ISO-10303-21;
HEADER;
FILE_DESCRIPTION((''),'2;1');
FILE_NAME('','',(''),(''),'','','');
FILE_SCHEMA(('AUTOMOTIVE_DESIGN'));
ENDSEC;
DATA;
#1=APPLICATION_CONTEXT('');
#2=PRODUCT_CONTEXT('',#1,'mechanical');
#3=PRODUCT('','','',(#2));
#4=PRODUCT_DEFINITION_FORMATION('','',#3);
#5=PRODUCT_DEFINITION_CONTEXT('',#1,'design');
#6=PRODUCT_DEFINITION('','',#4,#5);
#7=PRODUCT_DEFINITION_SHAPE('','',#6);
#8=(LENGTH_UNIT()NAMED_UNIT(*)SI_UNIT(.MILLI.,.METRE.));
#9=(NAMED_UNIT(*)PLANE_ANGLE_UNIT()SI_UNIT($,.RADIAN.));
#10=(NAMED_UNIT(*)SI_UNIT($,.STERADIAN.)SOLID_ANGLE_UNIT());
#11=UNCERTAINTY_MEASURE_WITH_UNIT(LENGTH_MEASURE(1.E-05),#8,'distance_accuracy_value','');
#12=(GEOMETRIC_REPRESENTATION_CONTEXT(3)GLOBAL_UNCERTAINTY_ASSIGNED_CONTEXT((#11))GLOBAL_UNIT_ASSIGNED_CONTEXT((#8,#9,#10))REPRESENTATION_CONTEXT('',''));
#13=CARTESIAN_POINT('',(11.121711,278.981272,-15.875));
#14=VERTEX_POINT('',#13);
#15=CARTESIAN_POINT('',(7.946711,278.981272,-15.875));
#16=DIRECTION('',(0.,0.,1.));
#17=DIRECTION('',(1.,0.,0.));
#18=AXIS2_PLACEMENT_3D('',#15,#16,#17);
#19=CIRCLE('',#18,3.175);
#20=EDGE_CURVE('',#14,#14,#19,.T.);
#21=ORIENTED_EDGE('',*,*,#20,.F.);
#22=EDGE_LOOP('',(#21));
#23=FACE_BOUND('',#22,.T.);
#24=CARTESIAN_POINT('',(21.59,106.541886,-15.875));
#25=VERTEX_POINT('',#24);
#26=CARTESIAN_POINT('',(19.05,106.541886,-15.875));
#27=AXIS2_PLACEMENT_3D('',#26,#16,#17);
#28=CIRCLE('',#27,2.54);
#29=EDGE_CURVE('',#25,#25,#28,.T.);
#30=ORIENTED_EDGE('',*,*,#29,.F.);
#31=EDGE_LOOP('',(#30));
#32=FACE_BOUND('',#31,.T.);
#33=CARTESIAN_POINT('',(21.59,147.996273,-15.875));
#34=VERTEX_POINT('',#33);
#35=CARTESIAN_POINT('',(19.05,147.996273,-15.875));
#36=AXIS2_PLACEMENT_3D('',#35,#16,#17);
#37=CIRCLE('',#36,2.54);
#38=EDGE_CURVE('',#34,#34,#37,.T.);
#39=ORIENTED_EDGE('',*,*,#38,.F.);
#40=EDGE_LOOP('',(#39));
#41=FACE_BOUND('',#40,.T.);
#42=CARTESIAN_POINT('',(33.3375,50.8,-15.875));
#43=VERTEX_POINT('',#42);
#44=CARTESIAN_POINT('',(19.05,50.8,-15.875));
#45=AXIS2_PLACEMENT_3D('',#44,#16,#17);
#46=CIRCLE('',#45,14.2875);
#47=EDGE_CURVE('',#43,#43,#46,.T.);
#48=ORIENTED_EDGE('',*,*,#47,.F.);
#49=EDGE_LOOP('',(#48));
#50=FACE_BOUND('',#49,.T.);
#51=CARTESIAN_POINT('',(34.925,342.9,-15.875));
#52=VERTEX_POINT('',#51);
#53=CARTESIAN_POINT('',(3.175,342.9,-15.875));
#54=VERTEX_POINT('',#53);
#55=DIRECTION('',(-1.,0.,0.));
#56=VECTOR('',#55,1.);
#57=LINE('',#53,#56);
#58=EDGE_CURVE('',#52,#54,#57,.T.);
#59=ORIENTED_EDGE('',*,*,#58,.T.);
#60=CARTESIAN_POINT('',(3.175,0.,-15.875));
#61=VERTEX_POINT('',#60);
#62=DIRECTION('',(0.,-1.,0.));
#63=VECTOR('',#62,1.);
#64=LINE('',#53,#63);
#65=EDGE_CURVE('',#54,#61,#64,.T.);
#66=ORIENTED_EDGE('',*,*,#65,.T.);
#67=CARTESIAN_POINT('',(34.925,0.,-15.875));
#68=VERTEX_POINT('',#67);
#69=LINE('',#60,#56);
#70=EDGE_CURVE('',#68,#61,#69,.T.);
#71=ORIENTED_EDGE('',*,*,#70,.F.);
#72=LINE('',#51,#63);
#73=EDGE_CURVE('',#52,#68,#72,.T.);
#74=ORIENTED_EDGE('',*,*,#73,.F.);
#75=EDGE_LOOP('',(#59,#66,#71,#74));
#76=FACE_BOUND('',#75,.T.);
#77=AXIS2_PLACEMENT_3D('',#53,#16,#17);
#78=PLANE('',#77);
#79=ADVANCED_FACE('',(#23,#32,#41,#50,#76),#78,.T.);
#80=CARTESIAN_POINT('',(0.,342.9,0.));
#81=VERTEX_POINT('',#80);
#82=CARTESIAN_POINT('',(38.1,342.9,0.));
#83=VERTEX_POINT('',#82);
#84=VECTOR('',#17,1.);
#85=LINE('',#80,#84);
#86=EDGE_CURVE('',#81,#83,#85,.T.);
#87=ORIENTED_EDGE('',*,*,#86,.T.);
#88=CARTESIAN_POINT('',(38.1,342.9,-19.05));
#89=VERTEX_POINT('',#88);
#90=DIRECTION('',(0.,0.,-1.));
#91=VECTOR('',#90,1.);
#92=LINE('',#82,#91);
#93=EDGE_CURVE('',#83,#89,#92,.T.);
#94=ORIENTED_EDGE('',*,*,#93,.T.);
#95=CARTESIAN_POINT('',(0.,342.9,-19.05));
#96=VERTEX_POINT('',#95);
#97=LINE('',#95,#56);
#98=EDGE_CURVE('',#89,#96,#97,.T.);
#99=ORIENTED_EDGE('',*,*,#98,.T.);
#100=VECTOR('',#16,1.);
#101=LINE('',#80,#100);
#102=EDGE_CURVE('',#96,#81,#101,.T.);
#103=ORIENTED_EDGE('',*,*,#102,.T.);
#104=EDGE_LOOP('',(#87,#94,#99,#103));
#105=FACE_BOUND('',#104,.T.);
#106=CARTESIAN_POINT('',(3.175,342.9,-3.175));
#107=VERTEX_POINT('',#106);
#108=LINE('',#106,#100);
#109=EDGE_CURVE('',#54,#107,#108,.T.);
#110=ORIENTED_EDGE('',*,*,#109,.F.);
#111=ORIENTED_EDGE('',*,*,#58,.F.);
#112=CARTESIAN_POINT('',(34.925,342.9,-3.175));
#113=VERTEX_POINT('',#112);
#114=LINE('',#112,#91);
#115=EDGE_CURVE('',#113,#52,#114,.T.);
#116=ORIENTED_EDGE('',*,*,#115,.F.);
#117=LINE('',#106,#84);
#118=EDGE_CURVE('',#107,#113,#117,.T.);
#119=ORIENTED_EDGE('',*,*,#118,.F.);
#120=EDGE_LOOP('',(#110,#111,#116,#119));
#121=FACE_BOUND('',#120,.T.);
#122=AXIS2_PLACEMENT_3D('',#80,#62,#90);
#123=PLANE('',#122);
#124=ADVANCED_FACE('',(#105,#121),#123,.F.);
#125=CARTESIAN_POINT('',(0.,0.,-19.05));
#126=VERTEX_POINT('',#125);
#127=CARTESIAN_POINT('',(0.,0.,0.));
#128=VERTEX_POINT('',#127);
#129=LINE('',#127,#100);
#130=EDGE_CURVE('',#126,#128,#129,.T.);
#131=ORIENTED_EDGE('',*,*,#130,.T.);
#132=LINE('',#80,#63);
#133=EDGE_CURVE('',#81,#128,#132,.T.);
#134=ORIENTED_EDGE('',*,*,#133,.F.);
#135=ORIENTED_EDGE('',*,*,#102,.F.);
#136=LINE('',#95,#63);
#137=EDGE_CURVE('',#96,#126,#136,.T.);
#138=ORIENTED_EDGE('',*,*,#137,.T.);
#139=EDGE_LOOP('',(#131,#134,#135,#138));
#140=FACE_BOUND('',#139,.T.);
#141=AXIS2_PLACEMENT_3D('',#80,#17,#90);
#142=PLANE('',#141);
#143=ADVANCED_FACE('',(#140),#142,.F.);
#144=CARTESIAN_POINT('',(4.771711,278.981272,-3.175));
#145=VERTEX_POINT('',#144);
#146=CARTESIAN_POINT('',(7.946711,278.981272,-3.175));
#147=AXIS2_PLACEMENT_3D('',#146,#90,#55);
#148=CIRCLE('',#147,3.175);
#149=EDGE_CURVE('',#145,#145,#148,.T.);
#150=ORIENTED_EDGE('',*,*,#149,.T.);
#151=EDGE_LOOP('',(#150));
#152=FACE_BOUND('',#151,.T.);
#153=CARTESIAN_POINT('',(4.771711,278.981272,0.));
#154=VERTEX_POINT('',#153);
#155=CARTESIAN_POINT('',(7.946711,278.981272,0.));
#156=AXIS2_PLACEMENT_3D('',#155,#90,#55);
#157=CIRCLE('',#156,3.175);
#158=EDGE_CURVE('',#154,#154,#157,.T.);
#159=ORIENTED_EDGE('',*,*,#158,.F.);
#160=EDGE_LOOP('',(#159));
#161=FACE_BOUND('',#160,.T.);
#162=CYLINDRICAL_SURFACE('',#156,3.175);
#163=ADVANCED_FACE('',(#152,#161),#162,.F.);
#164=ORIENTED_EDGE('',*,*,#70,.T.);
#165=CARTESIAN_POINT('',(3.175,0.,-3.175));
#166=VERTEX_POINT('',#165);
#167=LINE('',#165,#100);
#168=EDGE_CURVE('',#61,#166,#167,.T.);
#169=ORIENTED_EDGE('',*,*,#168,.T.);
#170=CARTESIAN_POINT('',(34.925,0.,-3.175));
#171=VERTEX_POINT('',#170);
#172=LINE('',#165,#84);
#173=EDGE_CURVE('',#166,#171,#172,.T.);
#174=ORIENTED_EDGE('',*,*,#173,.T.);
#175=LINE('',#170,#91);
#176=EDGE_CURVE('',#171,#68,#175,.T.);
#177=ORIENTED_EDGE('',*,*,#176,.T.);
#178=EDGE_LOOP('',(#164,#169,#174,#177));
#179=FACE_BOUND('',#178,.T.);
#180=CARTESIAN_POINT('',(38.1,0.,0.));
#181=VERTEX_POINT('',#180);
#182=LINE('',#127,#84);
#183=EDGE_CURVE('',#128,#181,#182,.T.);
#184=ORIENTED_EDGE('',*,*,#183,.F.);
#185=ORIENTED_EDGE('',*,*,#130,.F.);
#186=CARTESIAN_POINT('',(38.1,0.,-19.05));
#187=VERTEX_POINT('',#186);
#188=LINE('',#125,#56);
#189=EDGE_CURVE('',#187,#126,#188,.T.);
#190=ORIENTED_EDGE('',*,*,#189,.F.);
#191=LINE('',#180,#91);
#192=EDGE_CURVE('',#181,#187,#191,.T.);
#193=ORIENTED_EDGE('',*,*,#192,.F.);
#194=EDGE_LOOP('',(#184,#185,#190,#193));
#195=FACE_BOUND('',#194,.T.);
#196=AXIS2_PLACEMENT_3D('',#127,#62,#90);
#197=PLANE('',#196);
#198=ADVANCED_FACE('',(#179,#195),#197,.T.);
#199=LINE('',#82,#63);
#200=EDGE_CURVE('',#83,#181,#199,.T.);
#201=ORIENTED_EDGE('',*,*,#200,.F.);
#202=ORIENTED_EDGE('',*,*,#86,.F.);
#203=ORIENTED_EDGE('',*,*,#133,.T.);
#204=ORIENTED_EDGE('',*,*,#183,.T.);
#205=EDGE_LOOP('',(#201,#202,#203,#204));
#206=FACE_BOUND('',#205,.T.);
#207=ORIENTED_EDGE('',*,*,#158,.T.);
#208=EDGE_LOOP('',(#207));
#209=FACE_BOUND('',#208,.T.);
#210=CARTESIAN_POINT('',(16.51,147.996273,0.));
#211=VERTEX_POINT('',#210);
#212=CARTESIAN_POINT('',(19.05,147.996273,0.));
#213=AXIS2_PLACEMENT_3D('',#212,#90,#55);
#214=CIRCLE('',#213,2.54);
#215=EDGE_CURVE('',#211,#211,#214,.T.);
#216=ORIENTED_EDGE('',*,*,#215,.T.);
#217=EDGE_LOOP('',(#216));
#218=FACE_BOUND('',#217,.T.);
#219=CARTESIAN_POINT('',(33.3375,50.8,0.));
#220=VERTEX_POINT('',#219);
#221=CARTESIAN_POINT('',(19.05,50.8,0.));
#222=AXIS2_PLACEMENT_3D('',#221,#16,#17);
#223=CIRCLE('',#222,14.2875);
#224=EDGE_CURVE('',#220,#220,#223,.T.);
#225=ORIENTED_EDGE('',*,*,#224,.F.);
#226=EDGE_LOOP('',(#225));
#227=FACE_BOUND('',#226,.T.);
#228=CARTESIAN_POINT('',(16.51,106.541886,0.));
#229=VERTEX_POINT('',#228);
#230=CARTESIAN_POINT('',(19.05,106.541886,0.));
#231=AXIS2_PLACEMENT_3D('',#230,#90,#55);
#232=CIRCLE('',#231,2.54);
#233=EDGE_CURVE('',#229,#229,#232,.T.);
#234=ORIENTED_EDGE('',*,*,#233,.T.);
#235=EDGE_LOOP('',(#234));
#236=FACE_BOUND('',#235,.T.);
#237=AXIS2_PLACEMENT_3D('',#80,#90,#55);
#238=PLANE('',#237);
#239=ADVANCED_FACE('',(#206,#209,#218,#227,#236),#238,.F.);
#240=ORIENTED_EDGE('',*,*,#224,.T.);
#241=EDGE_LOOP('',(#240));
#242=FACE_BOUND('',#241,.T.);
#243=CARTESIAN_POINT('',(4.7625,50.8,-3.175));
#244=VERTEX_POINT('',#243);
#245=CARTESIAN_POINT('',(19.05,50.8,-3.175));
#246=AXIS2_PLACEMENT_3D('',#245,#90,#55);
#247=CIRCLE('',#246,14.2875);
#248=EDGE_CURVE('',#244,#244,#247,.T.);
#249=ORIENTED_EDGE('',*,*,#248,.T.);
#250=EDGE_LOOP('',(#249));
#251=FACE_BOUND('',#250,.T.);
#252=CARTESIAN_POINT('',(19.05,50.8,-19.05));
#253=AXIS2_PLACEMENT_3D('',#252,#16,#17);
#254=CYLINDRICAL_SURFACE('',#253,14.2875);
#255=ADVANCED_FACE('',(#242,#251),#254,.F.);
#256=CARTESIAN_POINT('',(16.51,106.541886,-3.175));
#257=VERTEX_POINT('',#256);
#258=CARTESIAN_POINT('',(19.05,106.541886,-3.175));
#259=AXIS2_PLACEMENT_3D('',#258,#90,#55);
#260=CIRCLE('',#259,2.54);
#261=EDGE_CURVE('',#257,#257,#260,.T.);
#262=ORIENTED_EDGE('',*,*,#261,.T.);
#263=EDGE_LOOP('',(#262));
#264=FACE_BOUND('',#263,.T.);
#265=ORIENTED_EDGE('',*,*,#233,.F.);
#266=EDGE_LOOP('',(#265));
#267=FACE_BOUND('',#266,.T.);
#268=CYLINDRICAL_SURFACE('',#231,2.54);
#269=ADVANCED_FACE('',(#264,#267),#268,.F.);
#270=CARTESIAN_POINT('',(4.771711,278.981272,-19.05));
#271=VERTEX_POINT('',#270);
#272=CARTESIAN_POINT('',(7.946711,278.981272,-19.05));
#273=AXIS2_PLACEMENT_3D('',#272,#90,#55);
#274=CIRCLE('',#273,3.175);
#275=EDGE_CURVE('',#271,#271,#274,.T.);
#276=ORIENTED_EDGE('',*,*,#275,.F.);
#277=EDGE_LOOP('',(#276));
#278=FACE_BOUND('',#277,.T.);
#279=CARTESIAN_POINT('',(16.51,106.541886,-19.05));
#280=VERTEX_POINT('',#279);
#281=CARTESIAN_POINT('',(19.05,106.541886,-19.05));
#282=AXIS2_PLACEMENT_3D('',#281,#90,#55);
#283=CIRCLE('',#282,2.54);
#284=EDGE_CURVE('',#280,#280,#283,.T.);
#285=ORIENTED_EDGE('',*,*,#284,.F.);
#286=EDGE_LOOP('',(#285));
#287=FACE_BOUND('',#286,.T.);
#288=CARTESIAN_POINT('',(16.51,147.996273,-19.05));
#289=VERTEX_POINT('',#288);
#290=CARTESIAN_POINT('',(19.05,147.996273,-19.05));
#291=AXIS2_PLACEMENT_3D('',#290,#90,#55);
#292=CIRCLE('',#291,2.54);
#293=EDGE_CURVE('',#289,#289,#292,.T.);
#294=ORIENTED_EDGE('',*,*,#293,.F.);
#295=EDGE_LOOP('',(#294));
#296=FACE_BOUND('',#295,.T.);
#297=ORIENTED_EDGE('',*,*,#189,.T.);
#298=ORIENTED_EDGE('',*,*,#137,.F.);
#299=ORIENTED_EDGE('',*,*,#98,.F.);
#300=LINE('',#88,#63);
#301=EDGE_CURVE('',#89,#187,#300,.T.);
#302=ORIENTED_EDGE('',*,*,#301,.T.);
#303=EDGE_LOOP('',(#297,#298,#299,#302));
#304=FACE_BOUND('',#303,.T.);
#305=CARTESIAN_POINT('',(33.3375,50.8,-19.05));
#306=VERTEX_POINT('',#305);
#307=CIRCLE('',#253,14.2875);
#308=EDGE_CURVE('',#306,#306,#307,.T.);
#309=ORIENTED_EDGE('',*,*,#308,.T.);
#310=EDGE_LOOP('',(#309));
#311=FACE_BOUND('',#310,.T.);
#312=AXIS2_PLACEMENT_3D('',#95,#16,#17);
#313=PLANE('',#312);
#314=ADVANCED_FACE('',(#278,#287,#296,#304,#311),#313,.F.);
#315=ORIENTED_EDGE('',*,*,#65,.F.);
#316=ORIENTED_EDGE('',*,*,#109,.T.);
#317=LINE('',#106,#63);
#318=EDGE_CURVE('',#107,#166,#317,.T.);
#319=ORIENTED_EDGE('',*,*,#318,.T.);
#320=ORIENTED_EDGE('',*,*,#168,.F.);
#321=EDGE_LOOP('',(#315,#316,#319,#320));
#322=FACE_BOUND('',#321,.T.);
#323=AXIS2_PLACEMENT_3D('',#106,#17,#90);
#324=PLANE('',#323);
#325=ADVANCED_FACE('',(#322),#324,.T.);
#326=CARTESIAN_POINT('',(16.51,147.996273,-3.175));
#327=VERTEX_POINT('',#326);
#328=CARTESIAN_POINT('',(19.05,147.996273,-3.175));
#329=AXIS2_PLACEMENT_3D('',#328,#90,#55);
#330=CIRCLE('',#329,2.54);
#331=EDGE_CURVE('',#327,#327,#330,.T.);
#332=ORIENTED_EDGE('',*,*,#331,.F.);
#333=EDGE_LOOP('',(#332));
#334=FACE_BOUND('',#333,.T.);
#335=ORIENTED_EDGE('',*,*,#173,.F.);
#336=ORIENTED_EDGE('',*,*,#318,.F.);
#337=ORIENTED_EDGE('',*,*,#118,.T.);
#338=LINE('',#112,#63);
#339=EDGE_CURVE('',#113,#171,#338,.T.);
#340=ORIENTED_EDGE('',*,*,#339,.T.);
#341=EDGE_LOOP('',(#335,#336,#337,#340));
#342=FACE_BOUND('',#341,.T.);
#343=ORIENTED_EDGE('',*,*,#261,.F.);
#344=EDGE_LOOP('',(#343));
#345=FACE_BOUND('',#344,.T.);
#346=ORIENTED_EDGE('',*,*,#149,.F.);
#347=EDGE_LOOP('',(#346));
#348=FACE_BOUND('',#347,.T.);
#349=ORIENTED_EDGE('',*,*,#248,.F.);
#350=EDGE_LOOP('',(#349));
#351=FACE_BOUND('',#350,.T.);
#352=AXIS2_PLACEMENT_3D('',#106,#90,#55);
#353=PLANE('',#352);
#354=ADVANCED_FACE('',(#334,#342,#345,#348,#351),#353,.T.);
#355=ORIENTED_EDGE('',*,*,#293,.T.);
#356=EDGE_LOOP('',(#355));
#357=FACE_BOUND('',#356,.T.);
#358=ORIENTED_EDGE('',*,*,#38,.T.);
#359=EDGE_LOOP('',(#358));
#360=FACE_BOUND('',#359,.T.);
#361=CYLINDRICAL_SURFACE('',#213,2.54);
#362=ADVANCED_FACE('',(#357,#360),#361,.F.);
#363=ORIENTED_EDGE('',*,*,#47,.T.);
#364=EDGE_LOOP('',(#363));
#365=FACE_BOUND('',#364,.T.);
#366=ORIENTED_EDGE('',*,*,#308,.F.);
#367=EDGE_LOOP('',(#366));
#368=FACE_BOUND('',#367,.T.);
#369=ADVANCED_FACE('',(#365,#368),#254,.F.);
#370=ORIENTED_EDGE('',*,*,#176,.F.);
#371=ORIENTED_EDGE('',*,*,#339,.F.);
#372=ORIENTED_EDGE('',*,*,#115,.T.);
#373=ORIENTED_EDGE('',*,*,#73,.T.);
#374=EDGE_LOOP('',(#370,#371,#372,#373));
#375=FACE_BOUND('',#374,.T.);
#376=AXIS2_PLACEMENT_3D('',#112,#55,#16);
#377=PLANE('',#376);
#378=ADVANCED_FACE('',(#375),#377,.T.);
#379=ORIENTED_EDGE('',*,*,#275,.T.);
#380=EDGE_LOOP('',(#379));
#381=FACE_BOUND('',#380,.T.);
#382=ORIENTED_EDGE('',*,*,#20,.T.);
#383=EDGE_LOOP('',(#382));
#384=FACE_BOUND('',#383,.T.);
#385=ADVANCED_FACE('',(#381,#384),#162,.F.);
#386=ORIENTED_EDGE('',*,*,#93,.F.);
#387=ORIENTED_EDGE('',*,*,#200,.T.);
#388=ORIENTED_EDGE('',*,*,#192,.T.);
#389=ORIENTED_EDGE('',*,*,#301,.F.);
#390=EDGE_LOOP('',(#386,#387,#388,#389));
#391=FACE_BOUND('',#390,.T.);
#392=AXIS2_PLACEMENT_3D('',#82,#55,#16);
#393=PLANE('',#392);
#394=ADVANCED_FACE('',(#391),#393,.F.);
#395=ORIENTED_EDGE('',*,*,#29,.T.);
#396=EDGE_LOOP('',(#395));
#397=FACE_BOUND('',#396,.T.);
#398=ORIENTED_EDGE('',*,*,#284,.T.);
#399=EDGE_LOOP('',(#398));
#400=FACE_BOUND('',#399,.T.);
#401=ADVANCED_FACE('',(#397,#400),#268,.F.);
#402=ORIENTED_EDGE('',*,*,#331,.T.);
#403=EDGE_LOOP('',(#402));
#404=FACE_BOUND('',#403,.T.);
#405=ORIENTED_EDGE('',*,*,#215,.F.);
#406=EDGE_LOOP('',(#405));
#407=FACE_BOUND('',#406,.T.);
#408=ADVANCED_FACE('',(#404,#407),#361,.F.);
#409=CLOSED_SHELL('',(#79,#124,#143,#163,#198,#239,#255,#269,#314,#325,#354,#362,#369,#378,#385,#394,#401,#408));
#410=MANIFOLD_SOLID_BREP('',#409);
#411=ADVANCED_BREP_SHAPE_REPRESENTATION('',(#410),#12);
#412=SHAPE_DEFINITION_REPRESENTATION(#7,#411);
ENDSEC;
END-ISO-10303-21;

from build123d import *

# Parameters (mm, degrees)
SKETCH1_W           = 38.1
SKETCH1_H           = 19.05
SKETCH1_W_2         = 31.75
SKETCH1_H_2         = 12.7
BOSS_EXTRUDE1_DEPTH = 342.9
SKETCH2_R           = 14.2875
CUT_EXTRUDE1_DEPTH  = 20.05
SKETCH3_R           = 2.54
SKETCH3_R_2         = 3.175
CUT_EXTRUDE2_DEPTH  = 20.05


with BuildPart() as part:
    # Sketch1 → Boss-Extrude1 (new body)
    with BuildSketch(Plane(origin=(0, 0, 0), x_dir=(1, 0, 0), z_dir=(0, 1, 0))):
        with Locations((19.05, 9.525)):
            Rectangle(SKETCH1_W, SKETCH1_H)
        with Locations((19.05, 9.525)):
            Rectangle(SKETCH1_W_2, SKETCH1_H_2, mode=Mode.SUBTRACT)
    extrude(amount=BOSS_EXTRUDE1_DEPTH)

    # Sketch2 → Cut-Extrude1 (cut, through all)
    with BuildSketch(Plane.XY):
        with Locations((19.05, 50.8)):
            Circle(SKETCH2_R)
    extrude(amount=-CUT_EXTRUDE1_DEPTH, mode=Mode.SUBTRACT)

    # Sketch3 → Cut-Extrude2 (cut, through all)
    with BuildSketch(Plane(origin=(0, 0, -19.05), x_dir=(-1, 0, 0), z_dir=(0, 0, -1))):
        with Locations((-19.05, 106.541886393)):
            Circle(SKETCH3_R)
        with Locations((-19.05, 147.996272786)):
            Circle(SKETCH3_R)
        with Locations((-7.946710848, 278.981271676)):
            Circle(SKETCH3_R_2)
    extrude(amount=-CUT_EXTRUDE2_DEPTH, mode=Mode.SUBTRACT)


solid = part.part
